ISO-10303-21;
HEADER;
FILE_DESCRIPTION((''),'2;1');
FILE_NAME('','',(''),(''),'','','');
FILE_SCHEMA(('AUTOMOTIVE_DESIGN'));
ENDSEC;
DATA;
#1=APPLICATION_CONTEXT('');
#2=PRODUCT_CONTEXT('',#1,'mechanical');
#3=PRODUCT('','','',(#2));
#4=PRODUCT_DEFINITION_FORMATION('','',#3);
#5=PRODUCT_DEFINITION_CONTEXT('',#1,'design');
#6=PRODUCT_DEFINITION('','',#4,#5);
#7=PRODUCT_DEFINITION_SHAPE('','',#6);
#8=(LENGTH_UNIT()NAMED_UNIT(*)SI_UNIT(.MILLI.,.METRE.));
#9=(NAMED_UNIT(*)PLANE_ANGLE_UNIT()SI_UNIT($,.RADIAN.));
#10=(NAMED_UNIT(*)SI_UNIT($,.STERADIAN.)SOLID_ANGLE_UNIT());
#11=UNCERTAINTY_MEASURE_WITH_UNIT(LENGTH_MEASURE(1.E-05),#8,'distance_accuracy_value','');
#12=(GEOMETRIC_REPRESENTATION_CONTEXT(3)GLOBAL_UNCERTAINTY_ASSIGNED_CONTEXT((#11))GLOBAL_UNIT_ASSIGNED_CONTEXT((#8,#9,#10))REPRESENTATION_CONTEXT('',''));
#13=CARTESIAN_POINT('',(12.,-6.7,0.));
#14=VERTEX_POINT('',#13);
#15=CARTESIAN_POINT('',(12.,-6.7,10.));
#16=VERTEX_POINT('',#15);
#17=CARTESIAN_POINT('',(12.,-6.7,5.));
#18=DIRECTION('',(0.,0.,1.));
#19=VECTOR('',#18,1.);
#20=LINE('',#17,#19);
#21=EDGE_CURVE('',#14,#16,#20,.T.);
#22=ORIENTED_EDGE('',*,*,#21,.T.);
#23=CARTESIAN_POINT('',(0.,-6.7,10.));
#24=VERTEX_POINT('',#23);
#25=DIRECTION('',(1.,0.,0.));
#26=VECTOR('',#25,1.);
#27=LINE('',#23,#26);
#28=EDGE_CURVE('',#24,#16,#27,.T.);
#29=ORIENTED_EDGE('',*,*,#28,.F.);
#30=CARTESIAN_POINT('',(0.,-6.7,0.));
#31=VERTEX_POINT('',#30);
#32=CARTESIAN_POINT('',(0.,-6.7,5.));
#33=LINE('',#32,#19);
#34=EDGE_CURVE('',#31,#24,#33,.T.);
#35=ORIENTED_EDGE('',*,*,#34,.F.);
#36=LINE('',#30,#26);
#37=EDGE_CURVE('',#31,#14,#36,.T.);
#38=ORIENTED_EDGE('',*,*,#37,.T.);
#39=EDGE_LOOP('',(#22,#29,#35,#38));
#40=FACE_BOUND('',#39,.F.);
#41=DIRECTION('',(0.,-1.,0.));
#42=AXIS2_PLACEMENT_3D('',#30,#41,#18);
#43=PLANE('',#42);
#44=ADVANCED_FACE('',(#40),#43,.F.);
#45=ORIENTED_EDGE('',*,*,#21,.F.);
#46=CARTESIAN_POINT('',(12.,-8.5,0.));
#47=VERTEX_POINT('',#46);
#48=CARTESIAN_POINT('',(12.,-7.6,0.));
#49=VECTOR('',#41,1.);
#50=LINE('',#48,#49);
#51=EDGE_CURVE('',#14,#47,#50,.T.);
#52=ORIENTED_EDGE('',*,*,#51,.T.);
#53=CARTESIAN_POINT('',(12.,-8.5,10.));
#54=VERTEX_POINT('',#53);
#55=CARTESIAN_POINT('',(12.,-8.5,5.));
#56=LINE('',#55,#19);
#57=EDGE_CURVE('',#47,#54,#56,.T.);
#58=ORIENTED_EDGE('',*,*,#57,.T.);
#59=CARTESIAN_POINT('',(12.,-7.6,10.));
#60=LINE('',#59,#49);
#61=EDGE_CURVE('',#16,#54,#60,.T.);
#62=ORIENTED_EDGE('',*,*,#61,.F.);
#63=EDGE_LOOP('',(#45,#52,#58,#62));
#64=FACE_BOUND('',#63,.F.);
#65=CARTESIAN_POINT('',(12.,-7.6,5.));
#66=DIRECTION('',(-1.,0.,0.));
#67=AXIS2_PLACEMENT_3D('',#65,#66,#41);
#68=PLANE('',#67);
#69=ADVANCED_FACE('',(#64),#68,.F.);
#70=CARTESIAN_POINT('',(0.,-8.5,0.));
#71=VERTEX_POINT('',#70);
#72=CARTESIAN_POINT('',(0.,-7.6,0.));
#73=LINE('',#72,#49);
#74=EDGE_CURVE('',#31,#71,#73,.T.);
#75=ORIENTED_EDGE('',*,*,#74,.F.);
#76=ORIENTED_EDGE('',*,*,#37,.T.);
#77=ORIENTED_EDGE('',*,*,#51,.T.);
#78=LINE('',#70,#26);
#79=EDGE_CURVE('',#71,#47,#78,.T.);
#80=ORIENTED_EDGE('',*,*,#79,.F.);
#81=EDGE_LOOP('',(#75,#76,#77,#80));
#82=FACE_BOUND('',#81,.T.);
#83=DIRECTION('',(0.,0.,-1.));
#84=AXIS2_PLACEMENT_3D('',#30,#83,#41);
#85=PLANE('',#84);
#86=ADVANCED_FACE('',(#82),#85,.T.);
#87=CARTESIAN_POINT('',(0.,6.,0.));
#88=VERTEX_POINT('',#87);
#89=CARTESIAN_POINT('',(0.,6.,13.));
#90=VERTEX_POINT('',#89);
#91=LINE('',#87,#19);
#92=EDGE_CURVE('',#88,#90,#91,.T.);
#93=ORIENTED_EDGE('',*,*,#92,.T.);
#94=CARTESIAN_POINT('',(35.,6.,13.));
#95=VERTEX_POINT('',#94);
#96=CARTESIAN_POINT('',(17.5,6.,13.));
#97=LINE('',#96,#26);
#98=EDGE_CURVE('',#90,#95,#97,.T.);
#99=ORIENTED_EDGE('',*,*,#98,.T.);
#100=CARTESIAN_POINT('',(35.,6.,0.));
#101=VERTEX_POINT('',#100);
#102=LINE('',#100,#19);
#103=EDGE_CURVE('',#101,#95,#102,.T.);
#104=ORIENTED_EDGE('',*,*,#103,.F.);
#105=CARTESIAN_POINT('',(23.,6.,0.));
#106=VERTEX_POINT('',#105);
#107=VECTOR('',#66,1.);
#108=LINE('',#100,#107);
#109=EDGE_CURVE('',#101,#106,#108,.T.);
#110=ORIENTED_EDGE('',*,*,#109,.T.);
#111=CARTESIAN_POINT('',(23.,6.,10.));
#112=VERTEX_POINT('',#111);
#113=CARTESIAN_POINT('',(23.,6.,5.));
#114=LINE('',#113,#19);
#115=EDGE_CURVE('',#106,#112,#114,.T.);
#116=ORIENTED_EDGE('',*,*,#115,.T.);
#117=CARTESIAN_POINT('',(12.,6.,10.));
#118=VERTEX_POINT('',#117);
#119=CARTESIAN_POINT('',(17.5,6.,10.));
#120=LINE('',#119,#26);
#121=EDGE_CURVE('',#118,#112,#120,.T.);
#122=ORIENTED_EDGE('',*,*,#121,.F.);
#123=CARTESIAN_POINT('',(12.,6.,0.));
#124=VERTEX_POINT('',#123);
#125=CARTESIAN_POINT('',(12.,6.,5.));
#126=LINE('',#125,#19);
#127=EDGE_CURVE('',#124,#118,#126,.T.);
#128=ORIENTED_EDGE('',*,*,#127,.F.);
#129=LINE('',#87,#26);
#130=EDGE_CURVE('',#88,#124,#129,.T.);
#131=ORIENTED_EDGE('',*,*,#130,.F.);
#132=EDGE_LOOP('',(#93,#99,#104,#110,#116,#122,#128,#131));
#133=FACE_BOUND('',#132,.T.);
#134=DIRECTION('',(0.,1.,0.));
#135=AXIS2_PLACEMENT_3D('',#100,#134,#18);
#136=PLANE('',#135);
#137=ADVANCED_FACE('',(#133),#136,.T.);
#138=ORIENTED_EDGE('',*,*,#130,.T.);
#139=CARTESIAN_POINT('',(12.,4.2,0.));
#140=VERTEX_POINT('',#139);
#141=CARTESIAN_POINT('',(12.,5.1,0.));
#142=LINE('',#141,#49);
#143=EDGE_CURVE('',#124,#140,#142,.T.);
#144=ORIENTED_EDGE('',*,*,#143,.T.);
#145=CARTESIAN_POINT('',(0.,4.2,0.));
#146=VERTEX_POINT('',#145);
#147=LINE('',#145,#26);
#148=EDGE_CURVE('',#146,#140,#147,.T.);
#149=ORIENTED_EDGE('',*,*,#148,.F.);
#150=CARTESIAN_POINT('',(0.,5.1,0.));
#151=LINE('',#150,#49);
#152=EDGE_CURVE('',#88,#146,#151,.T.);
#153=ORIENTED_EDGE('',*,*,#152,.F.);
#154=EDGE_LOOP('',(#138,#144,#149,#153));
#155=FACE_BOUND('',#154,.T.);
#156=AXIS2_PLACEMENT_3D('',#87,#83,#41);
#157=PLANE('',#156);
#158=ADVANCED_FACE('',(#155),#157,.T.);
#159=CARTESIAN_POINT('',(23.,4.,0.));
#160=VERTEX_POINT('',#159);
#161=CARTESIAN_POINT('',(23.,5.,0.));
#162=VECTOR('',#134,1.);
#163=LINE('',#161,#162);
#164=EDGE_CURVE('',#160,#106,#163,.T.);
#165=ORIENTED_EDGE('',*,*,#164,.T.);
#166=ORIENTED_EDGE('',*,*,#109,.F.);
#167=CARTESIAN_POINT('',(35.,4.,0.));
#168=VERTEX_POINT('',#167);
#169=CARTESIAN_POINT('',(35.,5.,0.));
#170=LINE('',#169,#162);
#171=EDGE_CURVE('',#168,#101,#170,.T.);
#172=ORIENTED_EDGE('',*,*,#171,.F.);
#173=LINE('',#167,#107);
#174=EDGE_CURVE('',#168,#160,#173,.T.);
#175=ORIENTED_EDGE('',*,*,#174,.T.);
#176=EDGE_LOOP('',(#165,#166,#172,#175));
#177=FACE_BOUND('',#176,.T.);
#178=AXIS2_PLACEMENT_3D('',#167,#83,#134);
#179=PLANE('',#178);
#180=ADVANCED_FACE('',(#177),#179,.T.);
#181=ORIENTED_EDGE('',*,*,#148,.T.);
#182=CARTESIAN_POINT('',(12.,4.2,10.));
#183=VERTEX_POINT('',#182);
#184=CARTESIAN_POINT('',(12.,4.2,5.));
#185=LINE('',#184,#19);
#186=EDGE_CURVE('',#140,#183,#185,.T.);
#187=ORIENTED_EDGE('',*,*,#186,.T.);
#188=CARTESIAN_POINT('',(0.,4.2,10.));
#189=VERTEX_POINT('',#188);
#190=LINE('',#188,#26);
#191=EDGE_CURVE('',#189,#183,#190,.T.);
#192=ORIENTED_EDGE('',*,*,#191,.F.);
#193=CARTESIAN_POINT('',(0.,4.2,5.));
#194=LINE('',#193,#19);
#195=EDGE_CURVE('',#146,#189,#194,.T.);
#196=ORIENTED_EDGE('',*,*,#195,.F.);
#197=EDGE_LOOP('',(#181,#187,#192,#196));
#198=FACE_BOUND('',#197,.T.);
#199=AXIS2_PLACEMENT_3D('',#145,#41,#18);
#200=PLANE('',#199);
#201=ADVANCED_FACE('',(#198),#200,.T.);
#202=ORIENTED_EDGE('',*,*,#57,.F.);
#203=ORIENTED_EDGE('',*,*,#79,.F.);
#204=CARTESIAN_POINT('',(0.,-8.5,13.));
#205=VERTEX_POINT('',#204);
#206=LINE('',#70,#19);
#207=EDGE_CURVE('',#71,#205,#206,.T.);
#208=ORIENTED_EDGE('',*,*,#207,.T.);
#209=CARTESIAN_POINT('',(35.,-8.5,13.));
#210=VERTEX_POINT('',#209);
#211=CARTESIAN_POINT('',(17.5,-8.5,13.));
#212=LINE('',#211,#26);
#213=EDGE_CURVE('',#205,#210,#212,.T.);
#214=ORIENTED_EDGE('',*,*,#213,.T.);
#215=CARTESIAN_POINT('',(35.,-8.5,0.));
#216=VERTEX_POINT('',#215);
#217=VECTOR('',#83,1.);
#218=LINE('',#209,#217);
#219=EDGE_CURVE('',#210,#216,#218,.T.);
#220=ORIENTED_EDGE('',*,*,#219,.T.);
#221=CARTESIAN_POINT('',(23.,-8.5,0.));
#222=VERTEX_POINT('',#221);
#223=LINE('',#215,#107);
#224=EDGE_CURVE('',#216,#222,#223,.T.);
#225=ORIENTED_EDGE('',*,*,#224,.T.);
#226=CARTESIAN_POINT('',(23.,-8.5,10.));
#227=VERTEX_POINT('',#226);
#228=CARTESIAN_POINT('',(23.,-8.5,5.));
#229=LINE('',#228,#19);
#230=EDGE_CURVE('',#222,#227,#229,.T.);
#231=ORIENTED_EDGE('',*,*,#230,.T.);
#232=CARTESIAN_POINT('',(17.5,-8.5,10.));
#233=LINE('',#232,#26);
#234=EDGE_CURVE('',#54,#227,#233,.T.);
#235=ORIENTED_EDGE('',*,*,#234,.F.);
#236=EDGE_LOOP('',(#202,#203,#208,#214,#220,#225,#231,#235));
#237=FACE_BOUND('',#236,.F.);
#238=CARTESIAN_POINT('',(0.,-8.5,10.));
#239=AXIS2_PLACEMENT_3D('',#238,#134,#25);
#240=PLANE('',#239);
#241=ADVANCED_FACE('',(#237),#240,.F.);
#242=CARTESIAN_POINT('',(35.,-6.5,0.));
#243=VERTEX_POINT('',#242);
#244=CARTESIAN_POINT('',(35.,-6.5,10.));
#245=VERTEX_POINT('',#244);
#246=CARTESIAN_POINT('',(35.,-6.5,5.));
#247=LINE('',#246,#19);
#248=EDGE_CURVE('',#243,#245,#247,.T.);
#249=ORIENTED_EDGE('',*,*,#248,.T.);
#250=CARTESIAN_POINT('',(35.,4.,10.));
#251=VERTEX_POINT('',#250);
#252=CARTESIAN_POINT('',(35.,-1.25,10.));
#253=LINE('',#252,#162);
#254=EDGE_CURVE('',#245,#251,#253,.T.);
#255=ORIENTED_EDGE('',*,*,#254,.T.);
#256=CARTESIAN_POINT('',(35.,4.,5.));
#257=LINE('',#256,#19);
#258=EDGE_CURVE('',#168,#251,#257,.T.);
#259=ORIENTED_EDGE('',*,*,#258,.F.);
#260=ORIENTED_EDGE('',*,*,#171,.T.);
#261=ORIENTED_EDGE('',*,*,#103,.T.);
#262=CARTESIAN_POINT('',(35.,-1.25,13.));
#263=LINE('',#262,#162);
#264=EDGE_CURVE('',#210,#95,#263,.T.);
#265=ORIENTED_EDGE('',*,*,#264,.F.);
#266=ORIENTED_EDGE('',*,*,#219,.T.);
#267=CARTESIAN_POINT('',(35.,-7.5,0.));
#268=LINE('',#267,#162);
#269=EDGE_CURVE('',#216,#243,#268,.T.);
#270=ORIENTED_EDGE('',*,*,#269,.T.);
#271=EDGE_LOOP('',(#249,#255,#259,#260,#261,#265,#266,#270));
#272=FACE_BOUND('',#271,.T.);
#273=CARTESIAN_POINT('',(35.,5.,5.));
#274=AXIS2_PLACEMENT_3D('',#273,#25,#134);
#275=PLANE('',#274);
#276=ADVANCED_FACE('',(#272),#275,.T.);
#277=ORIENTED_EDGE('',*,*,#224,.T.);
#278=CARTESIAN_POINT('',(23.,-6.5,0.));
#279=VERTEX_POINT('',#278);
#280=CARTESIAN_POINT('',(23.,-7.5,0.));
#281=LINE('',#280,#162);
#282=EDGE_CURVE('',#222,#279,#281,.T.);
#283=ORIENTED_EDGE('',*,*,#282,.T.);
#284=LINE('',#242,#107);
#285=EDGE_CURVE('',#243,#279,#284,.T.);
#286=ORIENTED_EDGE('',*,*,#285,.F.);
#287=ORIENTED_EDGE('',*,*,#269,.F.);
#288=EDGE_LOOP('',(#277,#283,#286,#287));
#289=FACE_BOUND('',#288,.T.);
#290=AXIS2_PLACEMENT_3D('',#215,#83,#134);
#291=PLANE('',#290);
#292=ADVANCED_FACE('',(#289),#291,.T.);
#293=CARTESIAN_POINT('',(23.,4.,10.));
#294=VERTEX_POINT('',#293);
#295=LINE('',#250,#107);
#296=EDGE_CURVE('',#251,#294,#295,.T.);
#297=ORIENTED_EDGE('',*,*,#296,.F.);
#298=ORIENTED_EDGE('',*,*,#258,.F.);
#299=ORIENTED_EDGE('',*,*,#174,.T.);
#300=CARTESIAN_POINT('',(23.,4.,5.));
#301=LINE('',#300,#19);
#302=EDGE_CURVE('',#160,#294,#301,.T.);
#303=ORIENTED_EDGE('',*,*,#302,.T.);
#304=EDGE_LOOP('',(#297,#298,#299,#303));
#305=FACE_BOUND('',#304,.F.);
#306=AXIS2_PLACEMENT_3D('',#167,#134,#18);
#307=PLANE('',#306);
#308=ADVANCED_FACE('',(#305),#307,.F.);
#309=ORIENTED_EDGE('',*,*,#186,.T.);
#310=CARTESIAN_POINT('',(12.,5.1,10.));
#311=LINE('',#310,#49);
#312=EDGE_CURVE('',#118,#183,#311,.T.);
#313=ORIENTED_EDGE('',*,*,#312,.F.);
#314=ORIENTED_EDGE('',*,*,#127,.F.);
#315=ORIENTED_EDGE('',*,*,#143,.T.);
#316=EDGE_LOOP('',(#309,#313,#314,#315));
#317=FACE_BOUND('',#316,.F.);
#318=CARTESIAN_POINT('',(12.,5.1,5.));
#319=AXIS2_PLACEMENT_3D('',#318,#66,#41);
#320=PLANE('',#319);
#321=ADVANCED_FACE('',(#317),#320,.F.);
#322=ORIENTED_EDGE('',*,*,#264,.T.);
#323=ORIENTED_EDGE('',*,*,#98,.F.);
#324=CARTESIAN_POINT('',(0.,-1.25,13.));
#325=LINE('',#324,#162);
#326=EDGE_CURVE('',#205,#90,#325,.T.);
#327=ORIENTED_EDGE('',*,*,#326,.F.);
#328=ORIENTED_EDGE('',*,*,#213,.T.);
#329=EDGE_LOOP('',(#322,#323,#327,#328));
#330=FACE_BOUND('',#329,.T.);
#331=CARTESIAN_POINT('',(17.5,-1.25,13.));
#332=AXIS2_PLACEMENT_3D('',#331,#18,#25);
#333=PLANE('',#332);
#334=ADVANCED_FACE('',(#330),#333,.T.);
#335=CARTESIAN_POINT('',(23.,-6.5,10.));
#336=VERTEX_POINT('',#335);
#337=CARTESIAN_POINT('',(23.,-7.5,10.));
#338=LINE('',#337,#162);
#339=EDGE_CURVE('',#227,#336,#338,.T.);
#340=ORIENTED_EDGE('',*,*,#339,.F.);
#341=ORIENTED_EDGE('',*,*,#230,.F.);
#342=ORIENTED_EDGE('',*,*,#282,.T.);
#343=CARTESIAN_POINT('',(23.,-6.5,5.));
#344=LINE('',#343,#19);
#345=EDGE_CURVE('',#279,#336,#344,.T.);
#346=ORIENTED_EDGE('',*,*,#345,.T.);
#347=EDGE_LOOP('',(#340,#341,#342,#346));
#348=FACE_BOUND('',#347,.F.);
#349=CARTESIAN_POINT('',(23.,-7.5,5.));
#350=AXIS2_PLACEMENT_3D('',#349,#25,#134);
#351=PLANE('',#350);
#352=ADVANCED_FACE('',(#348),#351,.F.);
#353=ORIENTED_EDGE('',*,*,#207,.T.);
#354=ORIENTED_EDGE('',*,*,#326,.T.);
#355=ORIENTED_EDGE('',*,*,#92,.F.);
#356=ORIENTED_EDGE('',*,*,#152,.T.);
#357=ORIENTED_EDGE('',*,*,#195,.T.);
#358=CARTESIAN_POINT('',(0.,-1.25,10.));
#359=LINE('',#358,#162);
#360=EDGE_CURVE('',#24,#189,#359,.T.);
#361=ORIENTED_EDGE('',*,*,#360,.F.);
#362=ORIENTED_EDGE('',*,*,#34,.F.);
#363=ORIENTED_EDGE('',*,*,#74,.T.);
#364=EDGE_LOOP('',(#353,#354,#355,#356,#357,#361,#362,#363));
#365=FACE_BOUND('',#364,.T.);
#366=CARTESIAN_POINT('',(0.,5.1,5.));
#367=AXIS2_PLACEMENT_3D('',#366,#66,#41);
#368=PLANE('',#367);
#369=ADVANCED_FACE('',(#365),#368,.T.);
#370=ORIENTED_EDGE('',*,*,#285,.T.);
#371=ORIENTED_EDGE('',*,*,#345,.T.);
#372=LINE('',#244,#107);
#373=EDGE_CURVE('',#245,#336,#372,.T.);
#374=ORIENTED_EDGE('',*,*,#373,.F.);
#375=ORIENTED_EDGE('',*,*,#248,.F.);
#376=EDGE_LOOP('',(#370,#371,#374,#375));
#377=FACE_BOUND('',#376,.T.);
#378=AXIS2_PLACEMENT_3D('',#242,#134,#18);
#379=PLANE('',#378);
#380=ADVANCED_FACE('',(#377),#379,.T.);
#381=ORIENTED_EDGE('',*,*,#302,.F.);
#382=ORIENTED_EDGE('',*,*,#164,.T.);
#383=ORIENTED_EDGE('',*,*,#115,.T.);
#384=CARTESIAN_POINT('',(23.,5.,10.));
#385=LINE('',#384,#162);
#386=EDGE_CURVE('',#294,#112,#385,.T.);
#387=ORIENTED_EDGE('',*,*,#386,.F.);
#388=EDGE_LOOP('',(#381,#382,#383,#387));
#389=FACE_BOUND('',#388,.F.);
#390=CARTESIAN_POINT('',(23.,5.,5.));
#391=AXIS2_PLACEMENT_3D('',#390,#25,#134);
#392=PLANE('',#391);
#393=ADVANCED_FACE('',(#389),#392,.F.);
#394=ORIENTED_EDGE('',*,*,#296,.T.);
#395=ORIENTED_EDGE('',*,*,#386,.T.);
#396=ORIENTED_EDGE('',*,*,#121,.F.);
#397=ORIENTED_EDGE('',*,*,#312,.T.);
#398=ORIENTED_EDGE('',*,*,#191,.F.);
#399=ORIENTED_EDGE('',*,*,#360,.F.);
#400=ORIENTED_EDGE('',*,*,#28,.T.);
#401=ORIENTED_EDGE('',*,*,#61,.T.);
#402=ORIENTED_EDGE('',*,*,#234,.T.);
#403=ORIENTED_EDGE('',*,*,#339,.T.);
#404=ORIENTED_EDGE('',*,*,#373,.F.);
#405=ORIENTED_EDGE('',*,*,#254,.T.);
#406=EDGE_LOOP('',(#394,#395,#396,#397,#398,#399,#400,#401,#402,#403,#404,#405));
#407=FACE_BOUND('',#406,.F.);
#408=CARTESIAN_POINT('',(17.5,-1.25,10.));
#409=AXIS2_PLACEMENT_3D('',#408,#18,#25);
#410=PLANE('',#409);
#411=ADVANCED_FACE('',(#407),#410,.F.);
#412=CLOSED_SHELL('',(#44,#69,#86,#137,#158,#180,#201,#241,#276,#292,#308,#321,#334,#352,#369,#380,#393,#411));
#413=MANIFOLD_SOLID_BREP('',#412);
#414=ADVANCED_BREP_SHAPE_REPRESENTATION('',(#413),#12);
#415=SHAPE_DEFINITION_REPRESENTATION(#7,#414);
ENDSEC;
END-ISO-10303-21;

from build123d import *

# Parameters (mm, degrees)
BOX_W        = 35
BOX_H        = 14.5
BOX_DEPTH    = 3
SKETCH006_W  = 1.8
SKETCH006_H  = 10
PAD002_DEPTH = 12
SKETCH007_W  = 2
SKETCH007_H  = 10
PAD003_DEPTH = 12


with BuildPart() as part:
    # Box → Box (new body)
    with BuildSketch(Plane(origin=(0, -8.5, 10), x_dir=(1, 0, 0), z_dir=(0, 0, 1))):
        with Locations((17.5, 7.25)):
            Rectangle(BOX_W, BOX_H)
    extrude(amount=BOX_DEPTH)

    # Sketch006 → Pad002 (new body)
    with BuildSketch(Plane(origin=(0, -8.5, 10), x_dir=(0, -1, 0), z_dir=(-1, 0, 0))):
        with Locations((-13.6, -5)):
            Rectangle(SKETCH006_W, SKETCH006_H)
        with Locations((-0.9, -5)):
            Rectangle(SKETCH006_W, SKETCH006_H)
    extrude(amount=-PAD002_DEPTH)

    # Sketch007 → Pad003 (new body)
    with BuildSketch(Plane(origin=(35, -8.5, 10), x_dir=(0, 1, 0), z_dir=(1, 0, 0))):
        with Locations((13.5, -5)):
            Rectangle(SKETCH007_W, SKETCH007_H)
        with Locations((1, -5)):
            Rectangle(SKETCH007_W, SKETCH007_H)
    extrude(amount=-PAD003_DEPTH)


solid = part.part
